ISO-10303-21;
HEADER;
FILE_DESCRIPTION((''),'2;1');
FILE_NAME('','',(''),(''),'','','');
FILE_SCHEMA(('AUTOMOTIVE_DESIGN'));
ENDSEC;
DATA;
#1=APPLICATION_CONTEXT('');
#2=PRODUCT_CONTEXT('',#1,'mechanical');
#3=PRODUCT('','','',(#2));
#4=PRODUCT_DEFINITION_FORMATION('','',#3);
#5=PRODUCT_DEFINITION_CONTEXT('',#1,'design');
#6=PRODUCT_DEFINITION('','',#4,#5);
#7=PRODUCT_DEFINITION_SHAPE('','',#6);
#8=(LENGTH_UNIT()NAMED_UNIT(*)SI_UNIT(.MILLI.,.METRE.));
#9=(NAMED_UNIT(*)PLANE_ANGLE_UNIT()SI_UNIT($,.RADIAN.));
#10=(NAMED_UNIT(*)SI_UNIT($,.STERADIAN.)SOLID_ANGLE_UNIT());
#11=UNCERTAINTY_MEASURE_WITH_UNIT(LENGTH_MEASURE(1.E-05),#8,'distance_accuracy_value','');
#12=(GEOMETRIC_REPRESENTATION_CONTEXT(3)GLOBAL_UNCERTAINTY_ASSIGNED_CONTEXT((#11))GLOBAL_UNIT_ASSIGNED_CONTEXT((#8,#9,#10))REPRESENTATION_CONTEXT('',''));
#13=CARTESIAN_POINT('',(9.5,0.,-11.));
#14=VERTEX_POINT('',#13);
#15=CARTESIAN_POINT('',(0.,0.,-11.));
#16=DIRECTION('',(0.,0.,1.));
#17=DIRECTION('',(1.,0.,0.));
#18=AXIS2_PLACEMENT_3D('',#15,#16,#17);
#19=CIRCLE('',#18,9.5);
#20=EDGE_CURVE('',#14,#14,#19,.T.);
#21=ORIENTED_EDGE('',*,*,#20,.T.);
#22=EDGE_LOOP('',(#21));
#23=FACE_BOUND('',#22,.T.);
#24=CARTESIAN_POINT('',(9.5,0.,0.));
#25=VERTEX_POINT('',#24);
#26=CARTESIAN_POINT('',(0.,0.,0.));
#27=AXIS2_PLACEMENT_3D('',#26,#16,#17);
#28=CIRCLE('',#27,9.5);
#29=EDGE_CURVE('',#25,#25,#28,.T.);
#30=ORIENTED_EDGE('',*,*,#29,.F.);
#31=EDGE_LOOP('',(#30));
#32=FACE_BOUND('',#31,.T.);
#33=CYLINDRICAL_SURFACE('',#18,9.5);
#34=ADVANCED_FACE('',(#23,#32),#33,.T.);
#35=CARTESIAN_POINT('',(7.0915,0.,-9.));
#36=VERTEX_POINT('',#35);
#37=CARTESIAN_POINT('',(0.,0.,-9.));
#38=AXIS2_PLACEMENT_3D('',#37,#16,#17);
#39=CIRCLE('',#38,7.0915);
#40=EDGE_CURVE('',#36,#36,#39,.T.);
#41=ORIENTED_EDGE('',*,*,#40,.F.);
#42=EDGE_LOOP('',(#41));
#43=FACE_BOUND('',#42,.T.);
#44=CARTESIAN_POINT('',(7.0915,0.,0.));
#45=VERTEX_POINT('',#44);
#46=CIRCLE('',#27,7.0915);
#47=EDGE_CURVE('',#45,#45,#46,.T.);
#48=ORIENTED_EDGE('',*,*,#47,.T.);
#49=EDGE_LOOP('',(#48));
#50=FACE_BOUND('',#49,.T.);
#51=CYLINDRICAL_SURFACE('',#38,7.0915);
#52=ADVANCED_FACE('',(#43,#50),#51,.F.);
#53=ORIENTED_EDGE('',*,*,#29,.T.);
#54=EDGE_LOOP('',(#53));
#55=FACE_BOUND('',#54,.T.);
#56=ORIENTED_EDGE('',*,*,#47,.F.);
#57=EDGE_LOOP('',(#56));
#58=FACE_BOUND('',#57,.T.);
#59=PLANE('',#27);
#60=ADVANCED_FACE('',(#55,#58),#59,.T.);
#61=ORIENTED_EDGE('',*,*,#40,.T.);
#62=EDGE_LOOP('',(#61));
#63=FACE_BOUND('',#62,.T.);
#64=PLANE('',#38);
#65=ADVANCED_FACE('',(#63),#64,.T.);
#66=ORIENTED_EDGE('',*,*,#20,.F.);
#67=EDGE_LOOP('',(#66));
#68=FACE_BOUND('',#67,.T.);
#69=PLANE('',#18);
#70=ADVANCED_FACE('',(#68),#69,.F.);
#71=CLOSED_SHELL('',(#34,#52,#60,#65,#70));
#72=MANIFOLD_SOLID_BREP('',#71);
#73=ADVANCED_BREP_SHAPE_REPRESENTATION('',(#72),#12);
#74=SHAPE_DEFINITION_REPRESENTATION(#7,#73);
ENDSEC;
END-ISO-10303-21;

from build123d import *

# Parameters (mm, degrees)
SECTION_EXT_RIEURE_R = 9.5
EXT_RIEUR_DEPTH      = 11
SECTION_INTERIEURE_R = 7.0915
INT_RIEUR_DEPTH      = 9


with BuildPart() as part:
    # section-extérieure → extérieur (new body)
    with BuildSketch(Plane.XY):
        Circle(SECTION_EXT_RIEURE_R)
    extrude(amount=-EXT_RIEUR_DEPTH)

    # section interieure → intérieur (cut)
    with BuildSketch(Plane.XY):
        Circle(SECTION_INTERIEURE_R)
    extrude(amount=-INT_RIEUR_DEPTH, mode=Mode.SUBTRACT)


solid = part.part
